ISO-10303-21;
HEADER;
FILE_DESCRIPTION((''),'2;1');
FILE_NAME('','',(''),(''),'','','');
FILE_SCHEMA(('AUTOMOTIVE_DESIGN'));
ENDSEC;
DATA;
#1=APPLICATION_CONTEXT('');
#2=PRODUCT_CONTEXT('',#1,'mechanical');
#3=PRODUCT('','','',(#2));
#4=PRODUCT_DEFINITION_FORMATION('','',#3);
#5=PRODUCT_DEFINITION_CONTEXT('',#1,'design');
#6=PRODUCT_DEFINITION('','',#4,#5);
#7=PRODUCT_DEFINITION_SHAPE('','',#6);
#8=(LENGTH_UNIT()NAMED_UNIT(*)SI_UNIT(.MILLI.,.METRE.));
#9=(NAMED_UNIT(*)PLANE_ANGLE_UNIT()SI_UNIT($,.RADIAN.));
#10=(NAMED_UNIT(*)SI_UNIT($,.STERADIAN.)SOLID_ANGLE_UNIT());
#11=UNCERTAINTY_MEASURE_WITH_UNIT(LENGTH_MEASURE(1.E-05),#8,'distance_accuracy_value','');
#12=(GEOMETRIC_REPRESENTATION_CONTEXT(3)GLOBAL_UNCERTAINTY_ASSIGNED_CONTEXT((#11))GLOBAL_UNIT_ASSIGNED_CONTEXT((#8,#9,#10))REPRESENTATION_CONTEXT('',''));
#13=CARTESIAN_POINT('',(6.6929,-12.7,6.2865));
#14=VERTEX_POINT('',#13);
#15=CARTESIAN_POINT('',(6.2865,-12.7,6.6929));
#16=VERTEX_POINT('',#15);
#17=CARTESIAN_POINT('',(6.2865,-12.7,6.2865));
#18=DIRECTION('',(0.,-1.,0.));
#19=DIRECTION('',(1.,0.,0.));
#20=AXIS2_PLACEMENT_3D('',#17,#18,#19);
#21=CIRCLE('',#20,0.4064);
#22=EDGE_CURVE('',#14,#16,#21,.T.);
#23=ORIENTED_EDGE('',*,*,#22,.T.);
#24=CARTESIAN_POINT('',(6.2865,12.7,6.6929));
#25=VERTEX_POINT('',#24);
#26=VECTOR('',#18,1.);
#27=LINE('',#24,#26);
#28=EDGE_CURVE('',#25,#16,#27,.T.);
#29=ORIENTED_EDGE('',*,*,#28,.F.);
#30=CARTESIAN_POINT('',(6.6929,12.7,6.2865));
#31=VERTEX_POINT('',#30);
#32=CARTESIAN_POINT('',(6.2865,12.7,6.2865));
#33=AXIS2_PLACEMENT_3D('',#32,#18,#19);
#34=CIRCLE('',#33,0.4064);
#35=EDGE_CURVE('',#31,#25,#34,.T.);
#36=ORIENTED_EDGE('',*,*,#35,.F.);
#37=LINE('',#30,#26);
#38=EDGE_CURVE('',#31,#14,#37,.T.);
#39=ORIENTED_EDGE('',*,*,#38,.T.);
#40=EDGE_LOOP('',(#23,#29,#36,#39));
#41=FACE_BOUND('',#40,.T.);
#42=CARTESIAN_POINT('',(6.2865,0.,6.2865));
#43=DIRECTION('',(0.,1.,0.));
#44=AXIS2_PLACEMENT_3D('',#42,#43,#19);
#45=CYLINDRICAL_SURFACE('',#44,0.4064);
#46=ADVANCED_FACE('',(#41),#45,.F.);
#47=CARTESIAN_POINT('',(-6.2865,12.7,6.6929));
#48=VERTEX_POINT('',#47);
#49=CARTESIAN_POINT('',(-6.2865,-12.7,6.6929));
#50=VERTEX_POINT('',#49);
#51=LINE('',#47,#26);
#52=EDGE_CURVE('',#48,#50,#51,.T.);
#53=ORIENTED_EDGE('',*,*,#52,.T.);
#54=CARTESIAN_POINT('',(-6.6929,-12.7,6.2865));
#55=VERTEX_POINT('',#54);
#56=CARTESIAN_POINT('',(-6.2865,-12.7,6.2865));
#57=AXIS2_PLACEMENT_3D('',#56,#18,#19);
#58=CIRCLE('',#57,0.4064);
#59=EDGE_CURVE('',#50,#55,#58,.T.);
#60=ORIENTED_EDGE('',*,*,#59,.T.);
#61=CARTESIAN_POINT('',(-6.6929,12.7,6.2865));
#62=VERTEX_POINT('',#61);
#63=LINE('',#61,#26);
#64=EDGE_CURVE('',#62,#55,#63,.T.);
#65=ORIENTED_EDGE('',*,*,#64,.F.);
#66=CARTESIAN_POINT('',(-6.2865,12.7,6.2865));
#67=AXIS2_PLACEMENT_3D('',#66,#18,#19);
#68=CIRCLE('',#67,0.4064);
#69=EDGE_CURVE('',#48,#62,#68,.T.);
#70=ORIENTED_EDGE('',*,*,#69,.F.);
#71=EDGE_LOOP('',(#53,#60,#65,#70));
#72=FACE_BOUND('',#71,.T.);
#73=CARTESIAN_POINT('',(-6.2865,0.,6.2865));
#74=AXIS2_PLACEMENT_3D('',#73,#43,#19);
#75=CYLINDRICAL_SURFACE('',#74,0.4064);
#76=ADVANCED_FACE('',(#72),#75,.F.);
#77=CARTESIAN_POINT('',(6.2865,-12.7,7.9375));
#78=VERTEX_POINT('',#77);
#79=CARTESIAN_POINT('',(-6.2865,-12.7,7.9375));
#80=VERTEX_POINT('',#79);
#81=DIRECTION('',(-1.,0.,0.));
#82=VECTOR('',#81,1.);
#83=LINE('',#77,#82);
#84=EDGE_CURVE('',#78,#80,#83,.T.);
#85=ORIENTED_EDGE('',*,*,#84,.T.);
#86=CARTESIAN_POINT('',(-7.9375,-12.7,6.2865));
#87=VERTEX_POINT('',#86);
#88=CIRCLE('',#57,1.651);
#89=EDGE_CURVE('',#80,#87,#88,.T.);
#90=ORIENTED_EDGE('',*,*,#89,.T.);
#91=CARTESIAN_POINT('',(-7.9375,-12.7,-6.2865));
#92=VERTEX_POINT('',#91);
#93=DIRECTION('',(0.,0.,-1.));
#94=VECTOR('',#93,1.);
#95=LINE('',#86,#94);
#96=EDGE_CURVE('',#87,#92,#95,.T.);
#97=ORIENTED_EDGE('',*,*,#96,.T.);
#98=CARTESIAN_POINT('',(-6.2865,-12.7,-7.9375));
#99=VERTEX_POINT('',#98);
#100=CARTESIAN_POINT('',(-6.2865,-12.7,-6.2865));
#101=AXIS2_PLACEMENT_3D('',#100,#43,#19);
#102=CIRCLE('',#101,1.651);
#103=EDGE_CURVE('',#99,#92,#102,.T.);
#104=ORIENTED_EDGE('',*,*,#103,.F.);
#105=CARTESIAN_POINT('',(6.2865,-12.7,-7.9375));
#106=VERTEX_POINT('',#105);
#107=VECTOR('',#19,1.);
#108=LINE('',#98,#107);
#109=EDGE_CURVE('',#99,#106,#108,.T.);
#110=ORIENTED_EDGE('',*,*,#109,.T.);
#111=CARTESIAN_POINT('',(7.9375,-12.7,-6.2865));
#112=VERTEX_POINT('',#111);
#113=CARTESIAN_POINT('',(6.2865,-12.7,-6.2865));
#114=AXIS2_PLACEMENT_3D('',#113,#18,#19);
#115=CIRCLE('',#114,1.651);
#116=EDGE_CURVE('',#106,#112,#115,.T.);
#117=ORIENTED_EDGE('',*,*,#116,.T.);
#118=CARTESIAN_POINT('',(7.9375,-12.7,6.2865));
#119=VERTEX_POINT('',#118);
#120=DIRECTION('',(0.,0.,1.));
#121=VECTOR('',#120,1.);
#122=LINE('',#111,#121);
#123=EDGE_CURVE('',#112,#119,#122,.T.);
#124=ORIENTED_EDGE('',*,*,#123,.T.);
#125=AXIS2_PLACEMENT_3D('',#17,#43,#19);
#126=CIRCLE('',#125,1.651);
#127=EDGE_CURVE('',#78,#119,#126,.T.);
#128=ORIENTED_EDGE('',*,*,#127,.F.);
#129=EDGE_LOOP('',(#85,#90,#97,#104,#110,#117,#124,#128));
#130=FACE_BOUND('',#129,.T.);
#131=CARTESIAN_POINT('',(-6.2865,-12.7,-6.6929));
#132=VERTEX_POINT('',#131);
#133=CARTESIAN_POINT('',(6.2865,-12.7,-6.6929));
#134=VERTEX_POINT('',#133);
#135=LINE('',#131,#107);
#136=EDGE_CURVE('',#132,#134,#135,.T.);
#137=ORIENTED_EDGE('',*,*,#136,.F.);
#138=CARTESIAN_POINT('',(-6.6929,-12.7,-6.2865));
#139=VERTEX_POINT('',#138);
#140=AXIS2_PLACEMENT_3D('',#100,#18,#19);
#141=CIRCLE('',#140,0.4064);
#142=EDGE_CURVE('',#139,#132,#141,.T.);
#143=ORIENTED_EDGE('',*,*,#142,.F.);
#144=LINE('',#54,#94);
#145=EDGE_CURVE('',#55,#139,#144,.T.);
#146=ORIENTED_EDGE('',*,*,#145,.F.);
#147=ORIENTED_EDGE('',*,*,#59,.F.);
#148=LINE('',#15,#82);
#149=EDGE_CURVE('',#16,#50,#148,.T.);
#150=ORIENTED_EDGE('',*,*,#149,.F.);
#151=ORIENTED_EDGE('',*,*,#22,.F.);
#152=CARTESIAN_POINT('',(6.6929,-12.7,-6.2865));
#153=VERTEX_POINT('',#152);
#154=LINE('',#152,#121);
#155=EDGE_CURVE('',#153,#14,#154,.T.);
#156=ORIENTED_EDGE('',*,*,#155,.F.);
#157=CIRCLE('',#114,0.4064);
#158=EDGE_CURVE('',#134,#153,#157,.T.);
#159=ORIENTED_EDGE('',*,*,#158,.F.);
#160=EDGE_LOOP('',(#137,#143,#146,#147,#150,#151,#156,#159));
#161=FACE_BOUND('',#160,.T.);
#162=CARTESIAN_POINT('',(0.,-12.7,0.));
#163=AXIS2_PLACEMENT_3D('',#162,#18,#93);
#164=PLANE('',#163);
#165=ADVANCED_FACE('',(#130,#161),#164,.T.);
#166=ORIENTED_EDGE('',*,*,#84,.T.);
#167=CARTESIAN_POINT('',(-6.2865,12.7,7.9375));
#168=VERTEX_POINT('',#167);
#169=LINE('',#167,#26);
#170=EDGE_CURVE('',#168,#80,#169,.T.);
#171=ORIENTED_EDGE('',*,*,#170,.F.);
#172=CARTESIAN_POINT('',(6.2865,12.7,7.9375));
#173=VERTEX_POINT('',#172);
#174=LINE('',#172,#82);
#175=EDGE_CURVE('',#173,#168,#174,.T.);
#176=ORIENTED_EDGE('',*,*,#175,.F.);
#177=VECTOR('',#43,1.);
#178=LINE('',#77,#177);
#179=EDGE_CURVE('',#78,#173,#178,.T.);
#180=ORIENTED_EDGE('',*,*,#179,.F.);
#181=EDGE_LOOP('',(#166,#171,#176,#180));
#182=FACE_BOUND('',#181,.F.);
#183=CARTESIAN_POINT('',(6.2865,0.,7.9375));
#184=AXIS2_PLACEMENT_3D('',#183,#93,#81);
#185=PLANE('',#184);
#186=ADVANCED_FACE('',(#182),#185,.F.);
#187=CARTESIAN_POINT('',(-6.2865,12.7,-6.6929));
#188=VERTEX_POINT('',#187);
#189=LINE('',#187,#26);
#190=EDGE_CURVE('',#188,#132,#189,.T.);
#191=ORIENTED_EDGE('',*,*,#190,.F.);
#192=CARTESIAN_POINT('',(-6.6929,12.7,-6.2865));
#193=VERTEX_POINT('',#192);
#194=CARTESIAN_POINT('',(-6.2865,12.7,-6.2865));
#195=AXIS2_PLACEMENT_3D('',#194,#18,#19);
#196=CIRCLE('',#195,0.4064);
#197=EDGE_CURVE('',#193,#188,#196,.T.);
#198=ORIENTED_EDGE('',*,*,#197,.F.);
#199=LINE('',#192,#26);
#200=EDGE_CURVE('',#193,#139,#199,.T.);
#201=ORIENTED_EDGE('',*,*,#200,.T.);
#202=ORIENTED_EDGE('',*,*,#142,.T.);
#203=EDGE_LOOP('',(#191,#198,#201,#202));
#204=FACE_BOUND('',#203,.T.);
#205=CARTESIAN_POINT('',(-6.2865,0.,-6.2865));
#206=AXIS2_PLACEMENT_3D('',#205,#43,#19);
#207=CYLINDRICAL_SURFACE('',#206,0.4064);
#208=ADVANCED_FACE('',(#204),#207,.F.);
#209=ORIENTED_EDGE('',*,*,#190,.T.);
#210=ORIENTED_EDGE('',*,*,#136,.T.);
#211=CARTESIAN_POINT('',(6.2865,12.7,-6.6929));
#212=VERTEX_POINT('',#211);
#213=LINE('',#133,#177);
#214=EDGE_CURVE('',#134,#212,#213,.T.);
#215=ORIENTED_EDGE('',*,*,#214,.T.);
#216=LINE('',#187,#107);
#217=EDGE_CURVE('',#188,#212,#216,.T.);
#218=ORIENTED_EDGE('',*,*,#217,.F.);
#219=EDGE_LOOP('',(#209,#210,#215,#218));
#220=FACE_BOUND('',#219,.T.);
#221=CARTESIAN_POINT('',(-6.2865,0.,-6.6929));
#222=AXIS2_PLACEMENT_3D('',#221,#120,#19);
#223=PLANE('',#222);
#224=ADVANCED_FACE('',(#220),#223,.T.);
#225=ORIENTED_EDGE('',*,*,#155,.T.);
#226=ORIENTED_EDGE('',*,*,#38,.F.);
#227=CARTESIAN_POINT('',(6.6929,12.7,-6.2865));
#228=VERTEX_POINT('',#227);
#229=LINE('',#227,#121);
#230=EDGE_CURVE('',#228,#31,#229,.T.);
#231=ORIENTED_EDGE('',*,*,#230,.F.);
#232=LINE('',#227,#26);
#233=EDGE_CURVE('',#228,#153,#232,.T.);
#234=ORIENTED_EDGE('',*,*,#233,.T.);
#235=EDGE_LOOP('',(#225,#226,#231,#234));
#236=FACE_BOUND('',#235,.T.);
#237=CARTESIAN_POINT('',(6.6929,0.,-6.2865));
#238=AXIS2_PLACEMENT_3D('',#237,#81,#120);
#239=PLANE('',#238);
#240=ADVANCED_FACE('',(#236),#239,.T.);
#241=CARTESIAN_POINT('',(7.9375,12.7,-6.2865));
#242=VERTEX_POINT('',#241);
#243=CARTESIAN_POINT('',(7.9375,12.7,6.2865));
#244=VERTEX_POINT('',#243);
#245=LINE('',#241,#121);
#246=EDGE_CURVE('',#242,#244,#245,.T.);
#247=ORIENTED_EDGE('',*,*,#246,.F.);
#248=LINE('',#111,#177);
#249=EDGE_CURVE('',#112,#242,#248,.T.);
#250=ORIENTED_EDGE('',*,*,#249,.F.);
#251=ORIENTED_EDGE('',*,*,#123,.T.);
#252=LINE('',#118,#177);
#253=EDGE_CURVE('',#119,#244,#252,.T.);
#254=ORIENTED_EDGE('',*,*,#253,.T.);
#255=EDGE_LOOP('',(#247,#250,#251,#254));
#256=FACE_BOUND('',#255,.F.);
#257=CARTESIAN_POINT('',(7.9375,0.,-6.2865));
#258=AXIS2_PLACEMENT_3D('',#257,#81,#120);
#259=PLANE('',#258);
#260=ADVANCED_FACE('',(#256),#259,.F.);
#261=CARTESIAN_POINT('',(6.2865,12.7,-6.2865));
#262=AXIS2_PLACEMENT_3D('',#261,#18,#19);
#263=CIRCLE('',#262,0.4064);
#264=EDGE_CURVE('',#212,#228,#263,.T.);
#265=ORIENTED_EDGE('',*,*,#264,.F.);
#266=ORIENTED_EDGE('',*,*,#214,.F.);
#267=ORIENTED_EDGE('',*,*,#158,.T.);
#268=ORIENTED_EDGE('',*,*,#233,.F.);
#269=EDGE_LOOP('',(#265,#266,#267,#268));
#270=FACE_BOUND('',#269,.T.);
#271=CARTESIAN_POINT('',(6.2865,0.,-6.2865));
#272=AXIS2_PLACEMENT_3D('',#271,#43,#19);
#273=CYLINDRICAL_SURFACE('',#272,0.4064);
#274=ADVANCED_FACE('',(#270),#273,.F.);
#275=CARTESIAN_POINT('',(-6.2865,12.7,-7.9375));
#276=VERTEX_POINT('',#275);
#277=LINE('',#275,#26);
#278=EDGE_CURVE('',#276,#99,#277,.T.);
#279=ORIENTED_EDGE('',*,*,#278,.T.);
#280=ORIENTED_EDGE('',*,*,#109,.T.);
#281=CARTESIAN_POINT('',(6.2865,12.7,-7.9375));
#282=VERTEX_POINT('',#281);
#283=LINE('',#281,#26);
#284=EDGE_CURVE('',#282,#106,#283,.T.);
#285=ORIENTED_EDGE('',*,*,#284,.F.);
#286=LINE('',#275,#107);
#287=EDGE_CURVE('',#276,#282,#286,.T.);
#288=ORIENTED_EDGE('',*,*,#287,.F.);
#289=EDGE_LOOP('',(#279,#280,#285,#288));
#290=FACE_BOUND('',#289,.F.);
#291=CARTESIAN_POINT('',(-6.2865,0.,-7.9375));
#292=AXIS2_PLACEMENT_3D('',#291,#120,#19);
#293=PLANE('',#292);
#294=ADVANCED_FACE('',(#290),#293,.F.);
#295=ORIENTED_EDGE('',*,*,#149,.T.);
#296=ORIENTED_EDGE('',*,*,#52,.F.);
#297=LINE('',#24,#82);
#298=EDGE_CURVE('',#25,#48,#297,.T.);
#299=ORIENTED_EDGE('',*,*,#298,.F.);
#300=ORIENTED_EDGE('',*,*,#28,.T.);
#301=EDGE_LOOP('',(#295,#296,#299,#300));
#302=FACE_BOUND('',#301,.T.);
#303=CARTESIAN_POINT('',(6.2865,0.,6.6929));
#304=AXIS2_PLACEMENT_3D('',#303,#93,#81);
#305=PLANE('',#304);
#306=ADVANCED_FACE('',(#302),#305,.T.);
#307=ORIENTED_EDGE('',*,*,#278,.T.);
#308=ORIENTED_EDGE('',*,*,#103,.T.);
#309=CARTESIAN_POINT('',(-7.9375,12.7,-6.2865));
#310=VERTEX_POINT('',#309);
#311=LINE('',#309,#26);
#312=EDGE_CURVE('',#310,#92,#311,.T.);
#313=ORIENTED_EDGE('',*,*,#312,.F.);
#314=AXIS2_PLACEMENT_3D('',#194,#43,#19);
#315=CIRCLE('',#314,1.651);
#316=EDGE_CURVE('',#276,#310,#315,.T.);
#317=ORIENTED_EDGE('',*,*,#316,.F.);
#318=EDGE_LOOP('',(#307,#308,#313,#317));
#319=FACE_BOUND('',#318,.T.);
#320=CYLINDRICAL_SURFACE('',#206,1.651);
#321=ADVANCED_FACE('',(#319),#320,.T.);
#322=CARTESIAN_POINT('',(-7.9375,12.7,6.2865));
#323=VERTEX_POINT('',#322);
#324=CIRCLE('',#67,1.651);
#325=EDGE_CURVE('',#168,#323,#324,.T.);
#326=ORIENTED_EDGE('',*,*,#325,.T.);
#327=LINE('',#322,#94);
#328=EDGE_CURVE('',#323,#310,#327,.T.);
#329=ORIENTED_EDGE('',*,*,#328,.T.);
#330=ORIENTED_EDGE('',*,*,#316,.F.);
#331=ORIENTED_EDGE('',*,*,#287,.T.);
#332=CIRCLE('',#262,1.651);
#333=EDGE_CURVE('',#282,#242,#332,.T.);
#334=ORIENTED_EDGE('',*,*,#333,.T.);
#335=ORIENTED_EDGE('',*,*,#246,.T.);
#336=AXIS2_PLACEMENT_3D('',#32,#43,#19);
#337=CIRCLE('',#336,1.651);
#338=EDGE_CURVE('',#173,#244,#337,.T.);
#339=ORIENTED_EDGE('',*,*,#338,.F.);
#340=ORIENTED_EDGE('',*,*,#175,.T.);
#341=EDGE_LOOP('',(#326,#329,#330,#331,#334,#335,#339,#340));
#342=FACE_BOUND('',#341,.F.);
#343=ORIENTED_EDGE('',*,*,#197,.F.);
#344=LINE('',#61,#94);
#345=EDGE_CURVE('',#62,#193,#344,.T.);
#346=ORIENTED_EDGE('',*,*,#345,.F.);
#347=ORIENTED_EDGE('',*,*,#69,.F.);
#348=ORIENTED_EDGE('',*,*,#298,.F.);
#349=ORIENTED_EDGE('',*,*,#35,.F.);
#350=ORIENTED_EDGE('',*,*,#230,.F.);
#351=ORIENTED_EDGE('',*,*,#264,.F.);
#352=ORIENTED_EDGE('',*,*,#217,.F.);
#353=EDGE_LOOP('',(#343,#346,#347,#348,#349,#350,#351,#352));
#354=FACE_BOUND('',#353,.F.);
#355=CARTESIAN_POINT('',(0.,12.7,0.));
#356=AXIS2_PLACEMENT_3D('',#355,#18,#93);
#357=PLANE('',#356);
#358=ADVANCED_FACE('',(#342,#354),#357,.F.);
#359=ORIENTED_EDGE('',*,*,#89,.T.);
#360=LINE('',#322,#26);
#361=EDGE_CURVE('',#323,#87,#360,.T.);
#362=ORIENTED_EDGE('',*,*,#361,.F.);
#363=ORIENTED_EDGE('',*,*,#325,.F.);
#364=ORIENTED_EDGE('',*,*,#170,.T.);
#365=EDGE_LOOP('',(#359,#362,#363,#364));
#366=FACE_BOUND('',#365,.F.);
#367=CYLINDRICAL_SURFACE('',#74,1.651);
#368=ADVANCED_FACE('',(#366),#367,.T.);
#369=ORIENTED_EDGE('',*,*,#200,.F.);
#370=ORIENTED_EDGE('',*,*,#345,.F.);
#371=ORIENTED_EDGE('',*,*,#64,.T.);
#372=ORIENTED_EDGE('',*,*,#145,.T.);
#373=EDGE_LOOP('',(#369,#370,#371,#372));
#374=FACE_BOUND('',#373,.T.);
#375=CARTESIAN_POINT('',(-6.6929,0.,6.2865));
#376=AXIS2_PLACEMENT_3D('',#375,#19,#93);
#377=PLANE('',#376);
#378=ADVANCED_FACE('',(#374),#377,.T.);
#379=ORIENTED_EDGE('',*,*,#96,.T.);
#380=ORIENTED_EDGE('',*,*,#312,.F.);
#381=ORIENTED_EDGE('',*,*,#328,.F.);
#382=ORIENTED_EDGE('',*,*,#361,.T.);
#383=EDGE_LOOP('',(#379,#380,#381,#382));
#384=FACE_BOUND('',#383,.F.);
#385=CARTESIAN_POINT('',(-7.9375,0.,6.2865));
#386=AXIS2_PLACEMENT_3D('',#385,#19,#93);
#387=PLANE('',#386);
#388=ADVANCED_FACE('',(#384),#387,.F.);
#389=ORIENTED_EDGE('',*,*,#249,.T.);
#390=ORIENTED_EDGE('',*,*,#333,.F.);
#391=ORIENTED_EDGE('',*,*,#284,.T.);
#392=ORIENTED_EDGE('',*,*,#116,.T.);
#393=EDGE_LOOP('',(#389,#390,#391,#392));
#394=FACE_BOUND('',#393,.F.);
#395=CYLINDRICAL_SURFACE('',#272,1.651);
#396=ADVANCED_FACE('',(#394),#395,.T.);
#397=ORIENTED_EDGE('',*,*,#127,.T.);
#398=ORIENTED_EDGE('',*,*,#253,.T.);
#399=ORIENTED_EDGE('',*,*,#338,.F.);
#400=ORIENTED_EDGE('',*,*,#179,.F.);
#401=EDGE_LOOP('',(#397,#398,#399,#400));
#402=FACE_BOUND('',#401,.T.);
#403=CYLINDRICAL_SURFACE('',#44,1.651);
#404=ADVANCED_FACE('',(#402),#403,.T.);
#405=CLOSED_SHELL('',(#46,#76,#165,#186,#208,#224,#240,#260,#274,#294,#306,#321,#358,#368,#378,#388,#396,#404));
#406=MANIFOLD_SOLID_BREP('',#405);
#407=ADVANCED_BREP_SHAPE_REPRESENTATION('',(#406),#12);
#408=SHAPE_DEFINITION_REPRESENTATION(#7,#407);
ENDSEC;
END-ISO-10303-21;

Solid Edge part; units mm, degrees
sketch "Sketch1" plane through (0, 0, 0) normal (0, -1, 0) x (1, 0, 0)
  line L0 (6.2865, 7.9375) -> (-6.2865, 7.9375)
  arc A0 (-6.2865, 7.9375) -> (-7.9375, 6.2865) centre (-6.2865, 6.2865) ccw
  line L1 (-7.9375, 6.2865) -> (-7.9375, -6.2865)
  arc A1 (-6.2865, -7.9375) -> (-7.9375, -6.2865) centre (-6.2865, -6.2865) cw
  line L2 (-6.2865, -7.9375) -> (6.2865, -7.9375)
  arc A2 (6.2865, -7.9375) -> (7.9375, -6.2865) centre (6.2865, -6.2865) ccw
  line L3 (7.9375, -6.2865) -> (7.9375, 6.2865)
  arc A3 (6.2865, 7.9375) -> (7.9375, 6.2865) centre (6.2865, 6.2865) cw
  line L4 (6.2865, 6.6929) -> (-6.2865, 6.6929)
  arc A4 (-6.2865, 6.6929) -> (-6.6929, 6.2865) centre (-6.2865, 6.2865) ccw
  line L5 (-6.6929, 6.2865) -> (-6.6929, -6.2865)
  arc A5 (-6.6929, -6.2865) -> (-6.2865, -6.6929) centre (-6.2865, -6.2865) ccw
  line L6 (-6.2865, -6.6929) -> (6.2865, -6.6929)
  arc A6 (6.2865, -6.6929) -> (6.6929, -6.2865) centre (6.2865, -6.2865) ccw
  line L7 (6.6929, -6.2865) -> (6.6929, 6.2865)
  arc A7 (6.6929, 6.2865) -> (6.2865, 6.6929) centre (6.2865, 6.2865) ccw
  dimension "D1" = 1.2446
extrude "Protrusion1" add sketch "Sketch1" along normal mid plane 25.4
properties material "Steel"
